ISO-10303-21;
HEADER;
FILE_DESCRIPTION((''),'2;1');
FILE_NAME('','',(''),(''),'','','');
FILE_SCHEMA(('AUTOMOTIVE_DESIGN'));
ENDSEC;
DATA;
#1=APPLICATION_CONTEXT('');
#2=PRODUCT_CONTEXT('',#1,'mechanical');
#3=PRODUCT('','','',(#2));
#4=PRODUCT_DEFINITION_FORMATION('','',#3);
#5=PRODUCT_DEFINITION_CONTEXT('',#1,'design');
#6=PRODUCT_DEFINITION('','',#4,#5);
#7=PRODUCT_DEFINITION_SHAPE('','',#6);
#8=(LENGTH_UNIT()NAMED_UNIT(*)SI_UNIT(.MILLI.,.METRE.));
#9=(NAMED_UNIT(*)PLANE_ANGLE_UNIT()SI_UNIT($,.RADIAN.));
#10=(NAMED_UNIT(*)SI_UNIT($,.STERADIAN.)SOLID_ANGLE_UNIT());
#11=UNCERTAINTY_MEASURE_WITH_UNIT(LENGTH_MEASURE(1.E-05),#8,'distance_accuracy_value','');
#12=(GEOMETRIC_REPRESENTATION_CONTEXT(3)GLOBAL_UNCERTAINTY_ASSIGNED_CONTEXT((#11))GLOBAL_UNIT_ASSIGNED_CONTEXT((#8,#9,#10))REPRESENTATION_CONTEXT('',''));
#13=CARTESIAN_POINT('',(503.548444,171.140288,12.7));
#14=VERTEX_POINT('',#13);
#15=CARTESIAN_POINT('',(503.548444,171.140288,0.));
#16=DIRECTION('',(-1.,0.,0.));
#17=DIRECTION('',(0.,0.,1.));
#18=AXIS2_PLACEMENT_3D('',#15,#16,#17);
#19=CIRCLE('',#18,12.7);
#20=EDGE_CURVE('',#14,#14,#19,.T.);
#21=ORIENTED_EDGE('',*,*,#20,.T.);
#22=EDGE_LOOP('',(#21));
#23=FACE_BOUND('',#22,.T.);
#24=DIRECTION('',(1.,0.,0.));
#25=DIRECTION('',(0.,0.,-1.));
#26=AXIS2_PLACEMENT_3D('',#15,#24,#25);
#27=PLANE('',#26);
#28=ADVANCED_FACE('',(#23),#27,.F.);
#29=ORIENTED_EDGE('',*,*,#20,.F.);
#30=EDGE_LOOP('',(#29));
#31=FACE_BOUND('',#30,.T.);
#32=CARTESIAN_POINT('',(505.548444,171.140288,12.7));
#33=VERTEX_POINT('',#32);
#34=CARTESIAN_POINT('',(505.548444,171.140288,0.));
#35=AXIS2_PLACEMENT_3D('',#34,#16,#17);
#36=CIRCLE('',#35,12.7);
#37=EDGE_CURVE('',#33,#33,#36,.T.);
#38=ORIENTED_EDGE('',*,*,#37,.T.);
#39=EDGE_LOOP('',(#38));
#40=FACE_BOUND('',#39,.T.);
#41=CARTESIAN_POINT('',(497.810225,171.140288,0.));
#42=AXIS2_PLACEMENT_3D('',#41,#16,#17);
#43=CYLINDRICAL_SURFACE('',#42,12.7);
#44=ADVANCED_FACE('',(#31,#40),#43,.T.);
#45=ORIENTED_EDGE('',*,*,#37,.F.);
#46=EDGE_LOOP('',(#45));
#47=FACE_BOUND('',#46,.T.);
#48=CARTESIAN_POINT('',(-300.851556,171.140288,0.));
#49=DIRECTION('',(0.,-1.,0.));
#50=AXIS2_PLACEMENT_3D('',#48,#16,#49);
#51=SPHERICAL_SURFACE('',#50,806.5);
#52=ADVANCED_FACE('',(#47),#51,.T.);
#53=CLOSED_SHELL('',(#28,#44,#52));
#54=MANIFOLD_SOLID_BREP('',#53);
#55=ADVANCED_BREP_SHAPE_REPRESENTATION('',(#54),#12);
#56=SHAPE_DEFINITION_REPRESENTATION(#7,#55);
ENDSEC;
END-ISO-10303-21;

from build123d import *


with BuildPart() as part:
    # 草图1 → 旋转1 (revolve)
    with BuildSketch(Plane.XY, mode=Mode.PRIVATE) as revolve_1_sk:
        with BuildLine():
            Line((503.548443515, 171.14028798), (503.548443515, 183.84028798))
            Line((503.548443515, 183.84028798), (505.548443515, 183.84028798))
            ThreePointArc((505.548443515, 183.84028798), (505.623443127, 177.490484827), (505.648443515, 171.14028798))
            Line((505.648443515, 171.14028798), (503.548443515, 171.14028798))
        make_face()
    revolve(revolve_1_sk.sketch.rotate(Axis((497.810225479, 171.14028798, 0), (1, 0, 0)), 180), axis=Axis((497.810225479, 171.14028798, 0), (1, 0, 0)))  # turned: the seam where the file's is


solid = part.part
